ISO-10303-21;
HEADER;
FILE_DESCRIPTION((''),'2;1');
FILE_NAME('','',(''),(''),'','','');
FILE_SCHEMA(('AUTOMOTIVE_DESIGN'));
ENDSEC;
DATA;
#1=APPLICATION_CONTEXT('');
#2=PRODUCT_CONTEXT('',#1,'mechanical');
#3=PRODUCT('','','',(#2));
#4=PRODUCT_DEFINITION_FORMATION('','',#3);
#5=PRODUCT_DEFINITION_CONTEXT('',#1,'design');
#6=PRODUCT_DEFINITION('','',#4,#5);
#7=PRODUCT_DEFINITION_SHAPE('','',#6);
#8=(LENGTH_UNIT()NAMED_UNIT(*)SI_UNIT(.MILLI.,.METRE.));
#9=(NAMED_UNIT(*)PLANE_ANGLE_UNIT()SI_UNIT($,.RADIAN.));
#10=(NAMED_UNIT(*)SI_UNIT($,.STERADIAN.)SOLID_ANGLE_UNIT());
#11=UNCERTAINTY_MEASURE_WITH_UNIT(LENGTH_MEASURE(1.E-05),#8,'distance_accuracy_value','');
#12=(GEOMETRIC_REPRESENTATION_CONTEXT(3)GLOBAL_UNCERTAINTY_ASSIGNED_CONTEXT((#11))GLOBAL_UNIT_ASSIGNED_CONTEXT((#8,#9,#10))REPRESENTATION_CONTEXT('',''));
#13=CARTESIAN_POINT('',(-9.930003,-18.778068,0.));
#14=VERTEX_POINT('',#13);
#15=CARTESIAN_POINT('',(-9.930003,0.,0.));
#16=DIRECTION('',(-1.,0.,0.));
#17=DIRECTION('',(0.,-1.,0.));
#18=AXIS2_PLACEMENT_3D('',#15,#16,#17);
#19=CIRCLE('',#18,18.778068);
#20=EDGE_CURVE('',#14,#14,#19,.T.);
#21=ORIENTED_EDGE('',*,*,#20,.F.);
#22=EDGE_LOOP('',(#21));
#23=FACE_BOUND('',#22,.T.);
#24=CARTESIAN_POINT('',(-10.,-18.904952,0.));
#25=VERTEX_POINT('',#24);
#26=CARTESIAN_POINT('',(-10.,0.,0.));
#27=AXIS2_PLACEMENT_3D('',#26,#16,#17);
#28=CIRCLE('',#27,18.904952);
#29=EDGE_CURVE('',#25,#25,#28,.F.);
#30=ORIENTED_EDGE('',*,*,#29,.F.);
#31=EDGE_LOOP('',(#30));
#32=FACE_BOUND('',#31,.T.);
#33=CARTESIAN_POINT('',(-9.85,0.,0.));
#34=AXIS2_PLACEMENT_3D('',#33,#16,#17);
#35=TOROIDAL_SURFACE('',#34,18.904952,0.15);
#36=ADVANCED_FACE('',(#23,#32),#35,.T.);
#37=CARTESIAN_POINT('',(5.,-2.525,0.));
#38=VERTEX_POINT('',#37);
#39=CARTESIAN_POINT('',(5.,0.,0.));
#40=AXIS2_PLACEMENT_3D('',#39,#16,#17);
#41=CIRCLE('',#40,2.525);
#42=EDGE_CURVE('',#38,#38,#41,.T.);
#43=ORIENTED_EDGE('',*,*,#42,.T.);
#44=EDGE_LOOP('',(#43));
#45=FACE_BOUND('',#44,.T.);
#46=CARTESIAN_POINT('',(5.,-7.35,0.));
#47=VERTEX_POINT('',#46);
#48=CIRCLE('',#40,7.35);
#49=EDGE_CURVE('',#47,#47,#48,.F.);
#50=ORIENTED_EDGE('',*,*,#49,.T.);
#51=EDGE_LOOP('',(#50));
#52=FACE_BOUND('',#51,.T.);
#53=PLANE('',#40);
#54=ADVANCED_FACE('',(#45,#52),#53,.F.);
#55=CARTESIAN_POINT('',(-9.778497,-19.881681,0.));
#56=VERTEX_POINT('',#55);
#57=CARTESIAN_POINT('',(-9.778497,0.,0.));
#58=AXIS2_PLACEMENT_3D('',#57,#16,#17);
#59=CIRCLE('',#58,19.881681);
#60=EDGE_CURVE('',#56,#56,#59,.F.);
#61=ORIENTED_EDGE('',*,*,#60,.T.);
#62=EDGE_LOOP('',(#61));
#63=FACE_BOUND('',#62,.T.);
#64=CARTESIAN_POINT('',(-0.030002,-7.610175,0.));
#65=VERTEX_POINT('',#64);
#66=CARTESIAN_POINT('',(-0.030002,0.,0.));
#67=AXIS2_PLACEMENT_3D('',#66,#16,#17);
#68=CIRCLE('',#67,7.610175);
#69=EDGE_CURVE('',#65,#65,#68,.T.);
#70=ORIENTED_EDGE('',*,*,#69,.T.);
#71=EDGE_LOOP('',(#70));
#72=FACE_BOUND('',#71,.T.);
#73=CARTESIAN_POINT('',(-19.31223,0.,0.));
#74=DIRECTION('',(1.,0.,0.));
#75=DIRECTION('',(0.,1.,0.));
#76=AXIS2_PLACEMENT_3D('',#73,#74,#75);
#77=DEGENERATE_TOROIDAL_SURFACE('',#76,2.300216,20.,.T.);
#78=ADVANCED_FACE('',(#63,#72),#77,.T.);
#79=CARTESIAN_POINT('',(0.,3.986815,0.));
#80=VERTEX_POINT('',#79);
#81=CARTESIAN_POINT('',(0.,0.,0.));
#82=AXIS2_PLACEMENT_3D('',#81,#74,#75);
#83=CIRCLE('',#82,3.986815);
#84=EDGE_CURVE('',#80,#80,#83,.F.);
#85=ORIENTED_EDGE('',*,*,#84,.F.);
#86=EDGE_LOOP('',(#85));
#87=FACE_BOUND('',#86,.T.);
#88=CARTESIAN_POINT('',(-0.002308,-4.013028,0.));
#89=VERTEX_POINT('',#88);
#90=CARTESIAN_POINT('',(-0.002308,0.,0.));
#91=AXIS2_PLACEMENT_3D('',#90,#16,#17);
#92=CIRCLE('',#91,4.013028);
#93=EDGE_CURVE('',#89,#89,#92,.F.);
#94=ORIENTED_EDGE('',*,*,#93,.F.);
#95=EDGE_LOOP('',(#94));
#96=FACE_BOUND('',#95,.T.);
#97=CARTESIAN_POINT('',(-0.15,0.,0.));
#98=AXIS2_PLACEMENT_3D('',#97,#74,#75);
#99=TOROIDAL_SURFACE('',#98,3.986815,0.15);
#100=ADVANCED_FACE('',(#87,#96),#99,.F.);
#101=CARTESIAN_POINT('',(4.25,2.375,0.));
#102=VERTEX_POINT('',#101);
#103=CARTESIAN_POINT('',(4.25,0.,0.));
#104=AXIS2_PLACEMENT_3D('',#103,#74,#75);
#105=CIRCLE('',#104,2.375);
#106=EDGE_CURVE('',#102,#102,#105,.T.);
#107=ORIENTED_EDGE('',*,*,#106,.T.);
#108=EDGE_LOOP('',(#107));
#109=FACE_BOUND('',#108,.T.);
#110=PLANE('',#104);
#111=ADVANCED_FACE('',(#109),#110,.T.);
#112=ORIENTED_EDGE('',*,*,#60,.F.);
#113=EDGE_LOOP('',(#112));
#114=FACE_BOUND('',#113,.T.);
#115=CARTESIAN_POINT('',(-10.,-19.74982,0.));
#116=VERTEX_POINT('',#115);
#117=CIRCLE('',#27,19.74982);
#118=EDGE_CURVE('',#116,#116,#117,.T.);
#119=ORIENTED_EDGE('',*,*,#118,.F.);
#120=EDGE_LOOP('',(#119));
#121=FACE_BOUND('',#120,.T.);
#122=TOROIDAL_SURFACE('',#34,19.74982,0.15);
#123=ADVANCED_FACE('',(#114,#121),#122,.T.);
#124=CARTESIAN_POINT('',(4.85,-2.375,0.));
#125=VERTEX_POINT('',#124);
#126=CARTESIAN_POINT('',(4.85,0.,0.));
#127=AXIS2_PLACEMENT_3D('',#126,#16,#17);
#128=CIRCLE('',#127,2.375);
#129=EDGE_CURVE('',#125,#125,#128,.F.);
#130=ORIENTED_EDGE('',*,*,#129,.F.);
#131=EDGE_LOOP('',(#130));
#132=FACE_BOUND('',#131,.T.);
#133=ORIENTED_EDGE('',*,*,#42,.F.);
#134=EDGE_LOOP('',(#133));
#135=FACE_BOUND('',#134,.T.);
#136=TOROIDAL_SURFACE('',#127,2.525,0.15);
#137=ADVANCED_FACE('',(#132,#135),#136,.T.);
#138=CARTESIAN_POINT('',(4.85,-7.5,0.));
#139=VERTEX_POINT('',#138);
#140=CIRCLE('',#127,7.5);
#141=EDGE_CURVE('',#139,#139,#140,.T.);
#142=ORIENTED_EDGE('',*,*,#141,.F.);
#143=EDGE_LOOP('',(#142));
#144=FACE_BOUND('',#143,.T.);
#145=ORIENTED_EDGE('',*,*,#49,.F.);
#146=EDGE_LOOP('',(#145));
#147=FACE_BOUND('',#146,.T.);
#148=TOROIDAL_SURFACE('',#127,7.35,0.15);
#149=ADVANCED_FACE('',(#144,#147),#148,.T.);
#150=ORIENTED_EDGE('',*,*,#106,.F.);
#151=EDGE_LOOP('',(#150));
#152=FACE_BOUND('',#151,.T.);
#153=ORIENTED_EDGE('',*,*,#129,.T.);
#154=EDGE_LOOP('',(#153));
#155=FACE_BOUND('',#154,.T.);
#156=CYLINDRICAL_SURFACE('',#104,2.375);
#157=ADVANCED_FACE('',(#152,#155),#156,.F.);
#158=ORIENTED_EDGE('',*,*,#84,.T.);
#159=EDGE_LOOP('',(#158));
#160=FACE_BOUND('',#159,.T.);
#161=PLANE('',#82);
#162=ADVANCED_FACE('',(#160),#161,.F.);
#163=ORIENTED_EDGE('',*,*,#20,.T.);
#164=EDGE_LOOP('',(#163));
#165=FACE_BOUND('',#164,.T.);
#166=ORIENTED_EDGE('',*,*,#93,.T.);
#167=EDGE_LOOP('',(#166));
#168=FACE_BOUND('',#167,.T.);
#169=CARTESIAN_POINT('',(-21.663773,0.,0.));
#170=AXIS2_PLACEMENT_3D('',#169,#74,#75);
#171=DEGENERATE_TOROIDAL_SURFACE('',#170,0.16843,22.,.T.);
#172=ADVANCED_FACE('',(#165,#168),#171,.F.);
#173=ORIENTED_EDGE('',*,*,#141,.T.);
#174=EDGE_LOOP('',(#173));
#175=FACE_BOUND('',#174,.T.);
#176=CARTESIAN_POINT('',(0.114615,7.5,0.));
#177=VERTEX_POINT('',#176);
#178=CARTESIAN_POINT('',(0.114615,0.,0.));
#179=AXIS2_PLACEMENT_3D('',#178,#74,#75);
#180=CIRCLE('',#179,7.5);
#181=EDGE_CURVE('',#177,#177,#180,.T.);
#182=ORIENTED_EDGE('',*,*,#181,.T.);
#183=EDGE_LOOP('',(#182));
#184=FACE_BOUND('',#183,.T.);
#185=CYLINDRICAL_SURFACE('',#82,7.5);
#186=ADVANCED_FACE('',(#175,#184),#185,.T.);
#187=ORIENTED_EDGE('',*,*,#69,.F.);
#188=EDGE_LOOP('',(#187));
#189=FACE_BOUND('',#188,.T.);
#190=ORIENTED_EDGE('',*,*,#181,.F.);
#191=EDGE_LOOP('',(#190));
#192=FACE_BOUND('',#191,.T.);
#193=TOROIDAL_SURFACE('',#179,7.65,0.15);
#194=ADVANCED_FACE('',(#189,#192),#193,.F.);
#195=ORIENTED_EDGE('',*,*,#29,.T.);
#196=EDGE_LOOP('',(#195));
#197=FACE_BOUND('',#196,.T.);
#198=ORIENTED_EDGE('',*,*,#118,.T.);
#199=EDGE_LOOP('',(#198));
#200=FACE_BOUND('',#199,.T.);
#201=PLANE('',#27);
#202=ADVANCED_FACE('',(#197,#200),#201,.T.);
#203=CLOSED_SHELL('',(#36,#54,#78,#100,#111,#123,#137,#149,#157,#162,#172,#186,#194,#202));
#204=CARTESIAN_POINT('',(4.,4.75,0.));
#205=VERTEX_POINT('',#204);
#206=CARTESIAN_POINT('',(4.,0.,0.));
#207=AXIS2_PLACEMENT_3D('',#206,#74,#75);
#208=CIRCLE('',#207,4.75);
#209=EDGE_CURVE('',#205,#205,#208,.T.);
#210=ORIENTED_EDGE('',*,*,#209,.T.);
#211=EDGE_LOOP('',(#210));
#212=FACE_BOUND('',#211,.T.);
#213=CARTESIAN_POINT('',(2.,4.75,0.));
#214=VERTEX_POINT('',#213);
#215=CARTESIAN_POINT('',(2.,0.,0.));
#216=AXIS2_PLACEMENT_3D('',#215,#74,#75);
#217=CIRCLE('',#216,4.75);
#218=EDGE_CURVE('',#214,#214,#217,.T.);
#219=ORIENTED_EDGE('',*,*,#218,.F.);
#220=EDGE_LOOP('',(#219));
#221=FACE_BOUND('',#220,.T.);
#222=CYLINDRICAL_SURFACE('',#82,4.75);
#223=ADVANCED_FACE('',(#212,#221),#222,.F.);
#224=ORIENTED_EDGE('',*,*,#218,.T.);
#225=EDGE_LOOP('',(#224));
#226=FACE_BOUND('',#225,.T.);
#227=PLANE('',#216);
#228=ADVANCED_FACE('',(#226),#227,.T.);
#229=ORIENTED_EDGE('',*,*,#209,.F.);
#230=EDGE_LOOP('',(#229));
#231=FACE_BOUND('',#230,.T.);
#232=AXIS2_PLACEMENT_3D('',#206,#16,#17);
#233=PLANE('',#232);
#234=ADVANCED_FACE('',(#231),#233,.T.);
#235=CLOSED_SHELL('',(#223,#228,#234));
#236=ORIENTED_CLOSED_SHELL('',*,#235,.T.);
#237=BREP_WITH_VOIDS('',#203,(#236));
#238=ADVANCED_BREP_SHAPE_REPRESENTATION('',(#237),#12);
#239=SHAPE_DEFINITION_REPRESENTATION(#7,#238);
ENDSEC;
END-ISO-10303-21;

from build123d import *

# Parameters (mm, degrees)
SKETCH2_R          = 2.375
CUT_EXTRUDE2_DEPTH = 0.75
FILLET1_R          = 0.15
FILLET2_R          = 0.15


with BuildPart() as part:
    # Sketch1 → Revolve3 (revolve)
    with BuildSketch(Plane.XY):
        with BuildLine():
            ThreePointArc((-10, 18.822019344), (-3.426328164, 12.472721845), (0, 4))
            Line((0, 4), (0, 7.5))
            ThreePointArc((0, 7.5), (-3.694854211, 14.794116631), (-10, 20))
            Line((-10, 20), (-10, 18.822019344))
        make_face()
        Polygon((0, 4), (0, 0), (2, 0), (2, 4.75), (4, 4.75), (4, 0), (5, 0), (5, 7.5), (0, 7.5), align=None)
    revolve(axis=Axis((0, 0, 0), (-1, 0, 0)))

    # Sketch2 → Cut-Extrude2 (cut)
    with BuildSketch(Plane(origin=(5, 0, 0), x_dir=(0, 0, -1), z_dir=(1, 0, 0))):
        with Locations(Location((0, 0, 0), (0, 0, 90))):
            Circle(SKETCH2_R)
    extrude(amount=-CUT_EXTRUDE2_DEPTH, mode=Mode.SUBTRACT)

    # Fillet1
    fillet1_edges = [part.edges().sort_by_distance(p)[0] for p in [
        (0, -7.5, 0),
        (5, -7.5, 0),
        (0, -4, 0),
        (-10, -18.822019344, 0),
    ]]
    fillet(fillet1_edges, radius=FILLET1_R)

    # Fillet2
    fillet2_edges = [part.edges().sort_by_distance(p)[0] for p in [
        (-10, -20, 0),
        (5, -2.375, 0),
    ]]
    fillet(fillet2_edges, radius=FILLET2_R)


solid = part.part
